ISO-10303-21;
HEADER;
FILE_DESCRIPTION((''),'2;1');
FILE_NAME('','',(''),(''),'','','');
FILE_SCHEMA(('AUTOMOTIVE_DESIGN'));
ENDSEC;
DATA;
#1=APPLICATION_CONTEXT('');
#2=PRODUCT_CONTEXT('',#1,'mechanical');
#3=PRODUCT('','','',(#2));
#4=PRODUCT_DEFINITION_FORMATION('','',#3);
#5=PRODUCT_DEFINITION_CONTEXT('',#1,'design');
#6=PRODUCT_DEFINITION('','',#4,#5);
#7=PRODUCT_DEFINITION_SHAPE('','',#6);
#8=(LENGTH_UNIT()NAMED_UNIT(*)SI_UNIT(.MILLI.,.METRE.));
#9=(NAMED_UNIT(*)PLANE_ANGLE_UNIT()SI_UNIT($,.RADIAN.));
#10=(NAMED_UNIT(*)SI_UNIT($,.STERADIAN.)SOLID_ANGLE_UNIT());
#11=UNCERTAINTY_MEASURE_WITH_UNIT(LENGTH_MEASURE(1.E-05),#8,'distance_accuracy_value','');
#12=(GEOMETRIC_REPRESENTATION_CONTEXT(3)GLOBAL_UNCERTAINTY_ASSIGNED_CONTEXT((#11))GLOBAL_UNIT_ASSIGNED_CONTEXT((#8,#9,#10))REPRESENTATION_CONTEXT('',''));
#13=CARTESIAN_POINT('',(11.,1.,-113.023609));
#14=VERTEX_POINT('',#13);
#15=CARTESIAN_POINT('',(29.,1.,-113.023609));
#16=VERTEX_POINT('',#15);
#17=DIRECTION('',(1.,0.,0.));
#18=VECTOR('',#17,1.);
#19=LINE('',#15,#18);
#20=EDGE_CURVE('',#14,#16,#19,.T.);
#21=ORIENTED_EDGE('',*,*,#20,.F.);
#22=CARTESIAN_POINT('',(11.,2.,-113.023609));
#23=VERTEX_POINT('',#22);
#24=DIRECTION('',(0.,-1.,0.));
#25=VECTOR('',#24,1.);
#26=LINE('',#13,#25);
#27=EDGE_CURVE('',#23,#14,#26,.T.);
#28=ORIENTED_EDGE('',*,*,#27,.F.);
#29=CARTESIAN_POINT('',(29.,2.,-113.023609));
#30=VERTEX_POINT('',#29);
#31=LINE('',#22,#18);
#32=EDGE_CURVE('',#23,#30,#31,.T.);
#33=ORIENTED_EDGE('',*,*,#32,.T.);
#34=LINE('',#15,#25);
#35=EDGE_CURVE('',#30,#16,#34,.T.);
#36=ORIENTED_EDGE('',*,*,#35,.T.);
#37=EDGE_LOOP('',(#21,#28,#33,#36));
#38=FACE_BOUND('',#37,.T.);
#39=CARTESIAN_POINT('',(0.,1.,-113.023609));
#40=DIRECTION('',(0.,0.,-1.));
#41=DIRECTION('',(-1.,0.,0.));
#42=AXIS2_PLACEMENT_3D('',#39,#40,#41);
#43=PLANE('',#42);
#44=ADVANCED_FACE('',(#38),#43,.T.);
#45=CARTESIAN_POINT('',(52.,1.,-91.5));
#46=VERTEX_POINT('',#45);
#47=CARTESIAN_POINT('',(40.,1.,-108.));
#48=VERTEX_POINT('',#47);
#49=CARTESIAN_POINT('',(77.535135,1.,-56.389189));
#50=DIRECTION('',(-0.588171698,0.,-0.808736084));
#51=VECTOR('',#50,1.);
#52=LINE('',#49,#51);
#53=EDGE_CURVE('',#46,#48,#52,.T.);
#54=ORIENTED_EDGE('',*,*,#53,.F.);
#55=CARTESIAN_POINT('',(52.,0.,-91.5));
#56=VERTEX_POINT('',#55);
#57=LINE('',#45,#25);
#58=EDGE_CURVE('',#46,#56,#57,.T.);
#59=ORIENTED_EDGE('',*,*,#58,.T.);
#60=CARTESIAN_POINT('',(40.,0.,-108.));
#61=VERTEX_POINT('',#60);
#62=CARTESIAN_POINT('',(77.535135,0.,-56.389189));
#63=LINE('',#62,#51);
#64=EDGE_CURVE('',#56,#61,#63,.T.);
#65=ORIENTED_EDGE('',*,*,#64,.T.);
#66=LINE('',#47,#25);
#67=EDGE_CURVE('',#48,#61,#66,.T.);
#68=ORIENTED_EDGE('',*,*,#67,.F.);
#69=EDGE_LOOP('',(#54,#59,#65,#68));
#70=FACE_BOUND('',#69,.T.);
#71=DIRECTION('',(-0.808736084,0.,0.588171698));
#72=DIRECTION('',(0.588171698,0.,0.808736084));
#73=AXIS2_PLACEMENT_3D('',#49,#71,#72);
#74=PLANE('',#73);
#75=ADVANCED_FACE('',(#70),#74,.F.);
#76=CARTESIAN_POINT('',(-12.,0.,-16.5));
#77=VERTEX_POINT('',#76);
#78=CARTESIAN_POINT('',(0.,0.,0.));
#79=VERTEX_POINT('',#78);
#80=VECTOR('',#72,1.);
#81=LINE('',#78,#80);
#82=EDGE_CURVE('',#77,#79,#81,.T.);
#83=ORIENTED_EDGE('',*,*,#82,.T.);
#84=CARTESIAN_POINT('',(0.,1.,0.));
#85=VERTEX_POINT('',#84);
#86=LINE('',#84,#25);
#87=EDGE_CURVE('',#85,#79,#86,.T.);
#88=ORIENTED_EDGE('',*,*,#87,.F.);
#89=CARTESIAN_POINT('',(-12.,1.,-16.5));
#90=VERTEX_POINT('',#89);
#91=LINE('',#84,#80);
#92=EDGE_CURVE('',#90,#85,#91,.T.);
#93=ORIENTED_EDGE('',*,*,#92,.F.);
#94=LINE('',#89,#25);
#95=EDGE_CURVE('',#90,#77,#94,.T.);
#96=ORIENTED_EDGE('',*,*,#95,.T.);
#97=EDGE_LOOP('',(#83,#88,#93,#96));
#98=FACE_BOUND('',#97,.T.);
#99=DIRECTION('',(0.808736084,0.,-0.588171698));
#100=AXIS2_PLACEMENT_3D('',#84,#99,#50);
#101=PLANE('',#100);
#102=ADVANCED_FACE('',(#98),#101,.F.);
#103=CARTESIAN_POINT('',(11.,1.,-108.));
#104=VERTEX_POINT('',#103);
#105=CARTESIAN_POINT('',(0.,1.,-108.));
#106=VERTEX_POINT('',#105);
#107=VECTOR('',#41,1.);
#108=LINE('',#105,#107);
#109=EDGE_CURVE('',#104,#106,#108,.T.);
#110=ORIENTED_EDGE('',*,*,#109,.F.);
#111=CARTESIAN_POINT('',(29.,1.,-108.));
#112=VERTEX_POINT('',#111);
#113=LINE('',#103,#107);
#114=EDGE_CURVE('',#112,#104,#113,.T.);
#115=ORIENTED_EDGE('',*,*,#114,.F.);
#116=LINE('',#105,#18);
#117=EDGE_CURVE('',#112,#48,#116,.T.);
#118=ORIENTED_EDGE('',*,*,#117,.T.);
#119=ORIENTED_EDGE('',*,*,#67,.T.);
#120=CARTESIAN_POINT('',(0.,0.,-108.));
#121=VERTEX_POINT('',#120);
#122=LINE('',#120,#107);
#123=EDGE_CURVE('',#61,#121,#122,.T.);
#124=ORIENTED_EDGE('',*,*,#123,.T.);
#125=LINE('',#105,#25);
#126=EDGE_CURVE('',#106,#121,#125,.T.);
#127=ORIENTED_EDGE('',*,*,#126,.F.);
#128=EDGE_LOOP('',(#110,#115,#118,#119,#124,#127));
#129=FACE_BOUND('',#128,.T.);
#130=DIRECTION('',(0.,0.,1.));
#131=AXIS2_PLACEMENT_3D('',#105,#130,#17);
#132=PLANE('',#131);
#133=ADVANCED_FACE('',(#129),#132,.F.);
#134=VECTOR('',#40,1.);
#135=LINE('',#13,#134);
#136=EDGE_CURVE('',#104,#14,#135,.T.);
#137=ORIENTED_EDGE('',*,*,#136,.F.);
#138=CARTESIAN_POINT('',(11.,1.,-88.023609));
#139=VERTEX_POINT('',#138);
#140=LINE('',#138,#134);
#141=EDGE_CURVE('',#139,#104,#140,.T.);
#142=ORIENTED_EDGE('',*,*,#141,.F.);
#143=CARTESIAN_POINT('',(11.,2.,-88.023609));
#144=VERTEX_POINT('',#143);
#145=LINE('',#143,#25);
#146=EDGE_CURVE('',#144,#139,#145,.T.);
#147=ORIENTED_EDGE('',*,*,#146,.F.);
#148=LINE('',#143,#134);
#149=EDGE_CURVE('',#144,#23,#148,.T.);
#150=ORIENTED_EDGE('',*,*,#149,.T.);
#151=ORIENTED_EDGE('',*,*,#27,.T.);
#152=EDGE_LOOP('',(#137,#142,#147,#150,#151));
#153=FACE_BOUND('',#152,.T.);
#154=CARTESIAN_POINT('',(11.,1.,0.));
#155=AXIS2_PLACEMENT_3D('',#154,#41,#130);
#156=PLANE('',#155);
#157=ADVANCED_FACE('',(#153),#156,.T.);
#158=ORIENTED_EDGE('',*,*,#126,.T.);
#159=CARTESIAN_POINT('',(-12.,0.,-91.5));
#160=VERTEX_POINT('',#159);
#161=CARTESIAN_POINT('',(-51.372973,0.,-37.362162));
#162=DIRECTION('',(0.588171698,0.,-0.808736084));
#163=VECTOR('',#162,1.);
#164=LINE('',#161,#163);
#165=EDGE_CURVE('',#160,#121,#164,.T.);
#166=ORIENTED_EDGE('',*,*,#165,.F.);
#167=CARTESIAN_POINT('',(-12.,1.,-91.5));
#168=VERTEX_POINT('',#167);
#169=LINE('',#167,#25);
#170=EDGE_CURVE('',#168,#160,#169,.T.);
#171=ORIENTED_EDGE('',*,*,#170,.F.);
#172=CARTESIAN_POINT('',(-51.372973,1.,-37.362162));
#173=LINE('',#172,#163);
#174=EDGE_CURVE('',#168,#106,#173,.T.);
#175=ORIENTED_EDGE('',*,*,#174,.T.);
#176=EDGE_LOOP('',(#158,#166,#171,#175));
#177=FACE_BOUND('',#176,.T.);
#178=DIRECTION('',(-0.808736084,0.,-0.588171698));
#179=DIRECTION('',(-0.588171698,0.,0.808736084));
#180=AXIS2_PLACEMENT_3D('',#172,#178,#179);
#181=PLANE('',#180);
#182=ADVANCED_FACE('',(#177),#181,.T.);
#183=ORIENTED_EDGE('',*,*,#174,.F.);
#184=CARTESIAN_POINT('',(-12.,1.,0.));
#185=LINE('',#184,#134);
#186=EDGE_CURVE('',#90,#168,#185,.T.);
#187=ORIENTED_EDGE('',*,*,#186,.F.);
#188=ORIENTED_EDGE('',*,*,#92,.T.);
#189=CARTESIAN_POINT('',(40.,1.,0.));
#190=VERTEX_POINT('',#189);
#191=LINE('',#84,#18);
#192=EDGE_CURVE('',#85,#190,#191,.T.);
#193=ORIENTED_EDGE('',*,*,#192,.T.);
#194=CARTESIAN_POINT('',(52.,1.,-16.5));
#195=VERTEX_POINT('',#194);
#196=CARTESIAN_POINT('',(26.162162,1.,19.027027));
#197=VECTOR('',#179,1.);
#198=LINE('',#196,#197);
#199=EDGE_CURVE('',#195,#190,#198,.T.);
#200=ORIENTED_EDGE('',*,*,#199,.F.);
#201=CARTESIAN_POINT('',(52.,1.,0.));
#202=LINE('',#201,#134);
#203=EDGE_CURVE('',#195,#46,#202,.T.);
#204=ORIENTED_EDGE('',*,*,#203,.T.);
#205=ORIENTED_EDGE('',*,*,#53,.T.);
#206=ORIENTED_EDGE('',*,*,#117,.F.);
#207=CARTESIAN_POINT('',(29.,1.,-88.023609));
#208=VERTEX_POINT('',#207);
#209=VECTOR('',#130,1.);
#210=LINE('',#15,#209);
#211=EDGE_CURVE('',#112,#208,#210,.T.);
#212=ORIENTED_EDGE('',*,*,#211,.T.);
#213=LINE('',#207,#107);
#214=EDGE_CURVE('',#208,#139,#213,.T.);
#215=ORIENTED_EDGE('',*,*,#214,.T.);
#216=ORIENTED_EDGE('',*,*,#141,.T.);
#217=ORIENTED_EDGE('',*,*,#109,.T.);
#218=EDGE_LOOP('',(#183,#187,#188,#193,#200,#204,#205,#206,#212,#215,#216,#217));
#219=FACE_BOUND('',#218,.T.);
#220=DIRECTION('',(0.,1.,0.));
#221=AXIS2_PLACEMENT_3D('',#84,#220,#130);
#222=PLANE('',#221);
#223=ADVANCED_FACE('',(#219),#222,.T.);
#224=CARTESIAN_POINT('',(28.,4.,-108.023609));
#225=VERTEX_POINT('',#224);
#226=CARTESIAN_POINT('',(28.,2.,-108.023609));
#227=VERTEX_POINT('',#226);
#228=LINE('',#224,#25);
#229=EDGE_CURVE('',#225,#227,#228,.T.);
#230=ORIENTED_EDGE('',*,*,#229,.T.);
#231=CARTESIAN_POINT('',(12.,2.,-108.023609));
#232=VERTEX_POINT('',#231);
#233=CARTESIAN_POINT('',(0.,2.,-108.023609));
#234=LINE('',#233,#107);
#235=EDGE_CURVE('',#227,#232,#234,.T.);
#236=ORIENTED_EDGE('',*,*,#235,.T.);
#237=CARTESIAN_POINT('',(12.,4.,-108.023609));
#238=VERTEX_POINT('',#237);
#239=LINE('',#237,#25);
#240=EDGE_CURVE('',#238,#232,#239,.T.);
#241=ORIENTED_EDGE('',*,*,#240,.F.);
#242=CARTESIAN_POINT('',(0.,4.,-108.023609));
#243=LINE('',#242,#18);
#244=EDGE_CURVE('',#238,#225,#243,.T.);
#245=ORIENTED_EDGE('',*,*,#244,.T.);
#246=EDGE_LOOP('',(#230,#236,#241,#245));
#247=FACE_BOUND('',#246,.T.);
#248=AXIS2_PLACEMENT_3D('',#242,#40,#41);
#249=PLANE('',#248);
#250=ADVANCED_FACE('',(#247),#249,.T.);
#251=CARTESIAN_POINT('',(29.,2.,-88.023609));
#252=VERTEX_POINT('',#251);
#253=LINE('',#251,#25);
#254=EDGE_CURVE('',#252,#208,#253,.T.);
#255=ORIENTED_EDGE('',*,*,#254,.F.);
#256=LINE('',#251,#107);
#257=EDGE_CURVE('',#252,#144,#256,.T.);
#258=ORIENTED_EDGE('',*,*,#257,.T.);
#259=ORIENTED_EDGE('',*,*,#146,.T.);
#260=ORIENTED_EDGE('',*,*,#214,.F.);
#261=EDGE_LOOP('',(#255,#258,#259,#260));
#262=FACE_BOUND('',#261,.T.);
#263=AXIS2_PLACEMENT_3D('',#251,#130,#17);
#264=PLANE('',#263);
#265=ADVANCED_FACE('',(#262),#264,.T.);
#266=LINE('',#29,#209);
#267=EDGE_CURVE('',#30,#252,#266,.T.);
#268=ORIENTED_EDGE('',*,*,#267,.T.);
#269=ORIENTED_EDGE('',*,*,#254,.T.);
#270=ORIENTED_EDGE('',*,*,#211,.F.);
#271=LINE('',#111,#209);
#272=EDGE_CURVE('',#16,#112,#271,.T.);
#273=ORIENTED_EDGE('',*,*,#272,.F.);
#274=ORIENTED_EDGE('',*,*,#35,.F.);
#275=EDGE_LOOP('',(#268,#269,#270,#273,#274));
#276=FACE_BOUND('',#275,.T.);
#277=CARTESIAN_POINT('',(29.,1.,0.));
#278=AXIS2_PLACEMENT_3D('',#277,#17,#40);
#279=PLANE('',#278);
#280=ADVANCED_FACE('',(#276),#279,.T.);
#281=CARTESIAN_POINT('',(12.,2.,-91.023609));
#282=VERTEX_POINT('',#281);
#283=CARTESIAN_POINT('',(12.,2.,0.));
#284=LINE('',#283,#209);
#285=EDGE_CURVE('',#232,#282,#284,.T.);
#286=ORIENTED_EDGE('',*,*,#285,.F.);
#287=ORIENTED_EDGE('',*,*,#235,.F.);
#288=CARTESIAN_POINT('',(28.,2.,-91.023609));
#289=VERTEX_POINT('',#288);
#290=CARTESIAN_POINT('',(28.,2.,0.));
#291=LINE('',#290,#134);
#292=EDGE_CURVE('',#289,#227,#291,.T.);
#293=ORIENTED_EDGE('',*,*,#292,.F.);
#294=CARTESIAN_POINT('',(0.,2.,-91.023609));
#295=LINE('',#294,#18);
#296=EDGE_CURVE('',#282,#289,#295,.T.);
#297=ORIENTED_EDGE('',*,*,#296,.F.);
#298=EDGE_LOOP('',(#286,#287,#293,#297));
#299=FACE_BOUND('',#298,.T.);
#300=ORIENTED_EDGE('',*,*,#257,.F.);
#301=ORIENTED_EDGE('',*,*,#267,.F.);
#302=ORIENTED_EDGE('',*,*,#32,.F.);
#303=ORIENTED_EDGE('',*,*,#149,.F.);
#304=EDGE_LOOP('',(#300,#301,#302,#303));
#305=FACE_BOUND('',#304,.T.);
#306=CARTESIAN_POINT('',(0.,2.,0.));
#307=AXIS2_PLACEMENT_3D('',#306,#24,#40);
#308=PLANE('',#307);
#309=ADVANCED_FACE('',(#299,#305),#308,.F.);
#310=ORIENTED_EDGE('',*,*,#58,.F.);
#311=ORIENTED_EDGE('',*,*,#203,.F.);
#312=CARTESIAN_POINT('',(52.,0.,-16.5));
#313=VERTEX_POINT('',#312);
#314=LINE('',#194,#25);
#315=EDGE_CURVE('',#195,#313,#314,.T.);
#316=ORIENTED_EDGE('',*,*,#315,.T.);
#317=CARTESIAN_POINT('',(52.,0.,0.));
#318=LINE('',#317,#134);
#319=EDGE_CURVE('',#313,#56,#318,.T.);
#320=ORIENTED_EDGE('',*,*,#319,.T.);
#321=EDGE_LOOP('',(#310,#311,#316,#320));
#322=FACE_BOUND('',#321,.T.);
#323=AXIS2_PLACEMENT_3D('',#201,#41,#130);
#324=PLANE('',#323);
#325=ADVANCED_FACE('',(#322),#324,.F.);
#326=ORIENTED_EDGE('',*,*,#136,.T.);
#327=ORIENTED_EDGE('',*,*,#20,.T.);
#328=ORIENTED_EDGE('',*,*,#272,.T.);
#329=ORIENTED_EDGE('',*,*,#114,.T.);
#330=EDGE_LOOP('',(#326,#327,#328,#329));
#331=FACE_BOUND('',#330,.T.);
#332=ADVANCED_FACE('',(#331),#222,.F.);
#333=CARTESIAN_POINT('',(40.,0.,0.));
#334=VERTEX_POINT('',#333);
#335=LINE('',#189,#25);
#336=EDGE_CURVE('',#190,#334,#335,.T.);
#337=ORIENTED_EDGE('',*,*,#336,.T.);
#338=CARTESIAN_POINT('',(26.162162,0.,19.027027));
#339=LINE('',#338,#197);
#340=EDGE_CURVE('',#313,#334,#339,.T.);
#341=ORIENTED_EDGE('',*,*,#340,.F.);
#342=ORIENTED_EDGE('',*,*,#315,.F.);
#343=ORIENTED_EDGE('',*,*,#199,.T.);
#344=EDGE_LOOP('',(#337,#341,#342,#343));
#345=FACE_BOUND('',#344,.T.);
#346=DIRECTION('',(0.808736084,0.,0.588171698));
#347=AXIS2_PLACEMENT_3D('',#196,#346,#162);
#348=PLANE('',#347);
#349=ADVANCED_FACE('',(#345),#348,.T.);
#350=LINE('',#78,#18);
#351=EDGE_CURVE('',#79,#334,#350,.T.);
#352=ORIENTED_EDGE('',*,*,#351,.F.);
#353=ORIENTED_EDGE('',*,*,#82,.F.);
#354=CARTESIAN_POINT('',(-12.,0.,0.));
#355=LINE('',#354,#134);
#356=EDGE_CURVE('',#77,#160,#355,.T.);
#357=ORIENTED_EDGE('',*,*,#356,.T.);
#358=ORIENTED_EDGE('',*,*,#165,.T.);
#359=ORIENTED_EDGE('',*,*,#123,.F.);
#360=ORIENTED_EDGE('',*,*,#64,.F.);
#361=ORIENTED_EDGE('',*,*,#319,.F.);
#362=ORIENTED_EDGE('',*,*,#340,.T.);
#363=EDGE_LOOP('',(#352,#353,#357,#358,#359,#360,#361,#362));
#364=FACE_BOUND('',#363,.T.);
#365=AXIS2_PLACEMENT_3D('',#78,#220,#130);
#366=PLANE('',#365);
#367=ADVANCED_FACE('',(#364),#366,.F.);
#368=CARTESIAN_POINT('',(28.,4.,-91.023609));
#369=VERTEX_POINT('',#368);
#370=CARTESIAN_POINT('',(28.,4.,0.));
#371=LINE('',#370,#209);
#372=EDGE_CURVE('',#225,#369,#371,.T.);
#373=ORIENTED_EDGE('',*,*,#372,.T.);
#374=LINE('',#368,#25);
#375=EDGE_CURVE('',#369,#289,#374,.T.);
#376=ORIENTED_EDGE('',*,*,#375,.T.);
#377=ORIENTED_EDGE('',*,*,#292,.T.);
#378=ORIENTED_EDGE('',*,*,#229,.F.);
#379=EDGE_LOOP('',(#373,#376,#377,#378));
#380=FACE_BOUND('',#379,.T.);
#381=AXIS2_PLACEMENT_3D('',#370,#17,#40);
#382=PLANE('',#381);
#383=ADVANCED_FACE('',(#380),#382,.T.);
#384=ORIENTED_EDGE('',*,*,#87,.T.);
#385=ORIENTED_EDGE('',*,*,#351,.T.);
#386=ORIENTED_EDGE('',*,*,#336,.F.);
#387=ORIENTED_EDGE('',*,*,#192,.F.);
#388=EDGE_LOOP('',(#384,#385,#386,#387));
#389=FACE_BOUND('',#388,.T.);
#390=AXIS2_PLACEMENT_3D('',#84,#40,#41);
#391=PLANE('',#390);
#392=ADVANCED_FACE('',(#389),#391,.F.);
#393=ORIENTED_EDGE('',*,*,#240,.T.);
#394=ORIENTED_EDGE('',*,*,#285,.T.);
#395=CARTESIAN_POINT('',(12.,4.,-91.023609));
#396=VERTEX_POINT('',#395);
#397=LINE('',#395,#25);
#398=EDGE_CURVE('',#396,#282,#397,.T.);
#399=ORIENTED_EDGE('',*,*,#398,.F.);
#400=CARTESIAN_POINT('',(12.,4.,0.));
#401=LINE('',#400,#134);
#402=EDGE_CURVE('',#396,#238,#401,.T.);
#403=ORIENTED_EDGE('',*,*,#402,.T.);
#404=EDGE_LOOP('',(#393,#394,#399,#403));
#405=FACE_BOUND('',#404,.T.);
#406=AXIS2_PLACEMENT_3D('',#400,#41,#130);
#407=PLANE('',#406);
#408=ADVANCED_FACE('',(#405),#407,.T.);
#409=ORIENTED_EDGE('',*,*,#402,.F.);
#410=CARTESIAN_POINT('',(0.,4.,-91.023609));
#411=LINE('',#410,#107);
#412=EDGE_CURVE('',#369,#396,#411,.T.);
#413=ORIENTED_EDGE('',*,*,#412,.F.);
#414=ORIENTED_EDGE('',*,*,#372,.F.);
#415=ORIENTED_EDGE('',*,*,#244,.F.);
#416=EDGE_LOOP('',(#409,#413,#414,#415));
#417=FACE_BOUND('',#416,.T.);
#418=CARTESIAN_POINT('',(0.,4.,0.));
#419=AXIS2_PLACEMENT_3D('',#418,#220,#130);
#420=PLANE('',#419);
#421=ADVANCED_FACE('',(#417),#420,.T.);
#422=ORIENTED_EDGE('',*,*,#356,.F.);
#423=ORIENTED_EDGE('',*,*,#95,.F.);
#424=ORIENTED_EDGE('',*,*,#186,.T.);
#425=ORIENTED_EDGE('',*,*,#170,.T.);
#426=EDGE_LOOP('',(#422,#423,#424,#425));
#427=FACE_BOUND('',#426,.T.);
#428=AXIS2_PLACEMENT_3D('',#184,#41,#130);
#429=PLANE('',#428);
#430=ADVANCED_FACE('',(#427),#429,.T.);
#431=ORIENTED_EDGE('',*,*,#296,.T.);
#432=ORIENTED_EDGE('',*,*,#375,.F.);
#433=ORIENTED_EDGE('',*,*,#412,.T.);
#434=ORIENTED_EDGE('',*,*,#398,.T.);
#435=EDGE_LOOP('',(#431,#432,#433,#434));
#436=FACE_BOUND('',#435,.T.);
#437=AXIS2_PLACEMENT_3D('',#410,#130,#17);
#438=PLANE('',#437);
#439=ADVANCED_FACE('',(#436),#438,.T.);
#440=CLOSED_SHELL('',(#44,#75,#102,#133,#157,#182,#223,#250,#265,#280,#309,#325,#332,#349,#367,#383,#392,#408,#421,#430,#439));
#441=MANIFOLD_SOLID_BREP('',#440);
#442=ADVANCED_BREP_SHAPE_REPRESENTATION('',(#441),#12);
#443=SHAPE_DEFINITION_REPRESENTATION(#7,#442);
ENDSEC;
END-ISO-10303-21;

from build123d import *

# Parameters (mm, degrees)
BOSS_EXTRUDE3_DEPTH = 1
SKETCH5_W           = 8
SKETCH5_H           = 17
BOSS_EXTRUDE4_DEPTH = 3
SKETCH6_W           = 18
SKETCH6_H           = 25
BOSS_EXTRUDE5_DEPTH = 1
SKETCH7_W           = 18
SKETCH7_H           = 5.023609272
CUT_EXTRUDE4_DEPTH  = 1


with BuildPart() as part:
    # Sketch1 → Boss-Extrude3 (new body)
    with BuildSketch(Plane(origin=(0, 0, 0), x_dir=(1, 0, 0), z_dir=(0, 1, 0))):
        Polygon((-12, 54), (20, 54), (20, 108), (11, 108), (0, 108), (-12, 91.5), align=None)
        Polygon((20, 108), (20, 54), (52, 54), (52, 91.5), (40, 108), (29, 108), align=None)
        Polygon((-12, 16.5), (0, 0), (20, 0), (20, 54), (-12, 54), align=None)
        Polygon((20, 54), (20, 0), (40, 0), (52, 16.5), (52, 54), align=None)
        Polygon((11, 108), (20, 108), (29, 108), (29, 113.023609272), (11, 113.023609272), align=None)
    extrude(amount=BOSS_EXTRUDE3_DEPTH)

    # Sketch5 → Boss-Extrude4 (add)
    with BuildSketch(Plane(origin=(0, 1, 0), x_dir=(1, 0, 0), z_dir=(0, 1, 0))):
        with Locations((16, 99.523609272)):
            Rectangle(SKETCH5_W, SKETCH5_H)
        with Locations((24, 99.523609272)):
            Rectangle(SKETCH5_W, SKETCH5_H)
    extrude(amount=BOSS_EXTRUDE4_DEPTH)

    # Sketch6 → Boss-Extrude5 (add)
    with BuildSketch(Plane(origin=(0, 1, 0), x_dir=(1, 0, 0), z_dir=(0, 1, 0))):
        with Locations((20, 100.523609272)):
            Rectangle(SKETCH6_W, SKETCH6_H)
    extrude(amount=BOSS_EXTRUDE5_DEPTH)

    # Sketch7 → Cut-Extrude4 (cut)
    with BuildSketch(Plane.XZ):
        with Locations((20, -110.511804636)):
            Rectangle(SKETCH7_W, SKETCH7_H)
    extrude(amount=-CUT_EXTRUDE4_DEPTH, mode=Mode.SUBTRACT)


solid = part.part
